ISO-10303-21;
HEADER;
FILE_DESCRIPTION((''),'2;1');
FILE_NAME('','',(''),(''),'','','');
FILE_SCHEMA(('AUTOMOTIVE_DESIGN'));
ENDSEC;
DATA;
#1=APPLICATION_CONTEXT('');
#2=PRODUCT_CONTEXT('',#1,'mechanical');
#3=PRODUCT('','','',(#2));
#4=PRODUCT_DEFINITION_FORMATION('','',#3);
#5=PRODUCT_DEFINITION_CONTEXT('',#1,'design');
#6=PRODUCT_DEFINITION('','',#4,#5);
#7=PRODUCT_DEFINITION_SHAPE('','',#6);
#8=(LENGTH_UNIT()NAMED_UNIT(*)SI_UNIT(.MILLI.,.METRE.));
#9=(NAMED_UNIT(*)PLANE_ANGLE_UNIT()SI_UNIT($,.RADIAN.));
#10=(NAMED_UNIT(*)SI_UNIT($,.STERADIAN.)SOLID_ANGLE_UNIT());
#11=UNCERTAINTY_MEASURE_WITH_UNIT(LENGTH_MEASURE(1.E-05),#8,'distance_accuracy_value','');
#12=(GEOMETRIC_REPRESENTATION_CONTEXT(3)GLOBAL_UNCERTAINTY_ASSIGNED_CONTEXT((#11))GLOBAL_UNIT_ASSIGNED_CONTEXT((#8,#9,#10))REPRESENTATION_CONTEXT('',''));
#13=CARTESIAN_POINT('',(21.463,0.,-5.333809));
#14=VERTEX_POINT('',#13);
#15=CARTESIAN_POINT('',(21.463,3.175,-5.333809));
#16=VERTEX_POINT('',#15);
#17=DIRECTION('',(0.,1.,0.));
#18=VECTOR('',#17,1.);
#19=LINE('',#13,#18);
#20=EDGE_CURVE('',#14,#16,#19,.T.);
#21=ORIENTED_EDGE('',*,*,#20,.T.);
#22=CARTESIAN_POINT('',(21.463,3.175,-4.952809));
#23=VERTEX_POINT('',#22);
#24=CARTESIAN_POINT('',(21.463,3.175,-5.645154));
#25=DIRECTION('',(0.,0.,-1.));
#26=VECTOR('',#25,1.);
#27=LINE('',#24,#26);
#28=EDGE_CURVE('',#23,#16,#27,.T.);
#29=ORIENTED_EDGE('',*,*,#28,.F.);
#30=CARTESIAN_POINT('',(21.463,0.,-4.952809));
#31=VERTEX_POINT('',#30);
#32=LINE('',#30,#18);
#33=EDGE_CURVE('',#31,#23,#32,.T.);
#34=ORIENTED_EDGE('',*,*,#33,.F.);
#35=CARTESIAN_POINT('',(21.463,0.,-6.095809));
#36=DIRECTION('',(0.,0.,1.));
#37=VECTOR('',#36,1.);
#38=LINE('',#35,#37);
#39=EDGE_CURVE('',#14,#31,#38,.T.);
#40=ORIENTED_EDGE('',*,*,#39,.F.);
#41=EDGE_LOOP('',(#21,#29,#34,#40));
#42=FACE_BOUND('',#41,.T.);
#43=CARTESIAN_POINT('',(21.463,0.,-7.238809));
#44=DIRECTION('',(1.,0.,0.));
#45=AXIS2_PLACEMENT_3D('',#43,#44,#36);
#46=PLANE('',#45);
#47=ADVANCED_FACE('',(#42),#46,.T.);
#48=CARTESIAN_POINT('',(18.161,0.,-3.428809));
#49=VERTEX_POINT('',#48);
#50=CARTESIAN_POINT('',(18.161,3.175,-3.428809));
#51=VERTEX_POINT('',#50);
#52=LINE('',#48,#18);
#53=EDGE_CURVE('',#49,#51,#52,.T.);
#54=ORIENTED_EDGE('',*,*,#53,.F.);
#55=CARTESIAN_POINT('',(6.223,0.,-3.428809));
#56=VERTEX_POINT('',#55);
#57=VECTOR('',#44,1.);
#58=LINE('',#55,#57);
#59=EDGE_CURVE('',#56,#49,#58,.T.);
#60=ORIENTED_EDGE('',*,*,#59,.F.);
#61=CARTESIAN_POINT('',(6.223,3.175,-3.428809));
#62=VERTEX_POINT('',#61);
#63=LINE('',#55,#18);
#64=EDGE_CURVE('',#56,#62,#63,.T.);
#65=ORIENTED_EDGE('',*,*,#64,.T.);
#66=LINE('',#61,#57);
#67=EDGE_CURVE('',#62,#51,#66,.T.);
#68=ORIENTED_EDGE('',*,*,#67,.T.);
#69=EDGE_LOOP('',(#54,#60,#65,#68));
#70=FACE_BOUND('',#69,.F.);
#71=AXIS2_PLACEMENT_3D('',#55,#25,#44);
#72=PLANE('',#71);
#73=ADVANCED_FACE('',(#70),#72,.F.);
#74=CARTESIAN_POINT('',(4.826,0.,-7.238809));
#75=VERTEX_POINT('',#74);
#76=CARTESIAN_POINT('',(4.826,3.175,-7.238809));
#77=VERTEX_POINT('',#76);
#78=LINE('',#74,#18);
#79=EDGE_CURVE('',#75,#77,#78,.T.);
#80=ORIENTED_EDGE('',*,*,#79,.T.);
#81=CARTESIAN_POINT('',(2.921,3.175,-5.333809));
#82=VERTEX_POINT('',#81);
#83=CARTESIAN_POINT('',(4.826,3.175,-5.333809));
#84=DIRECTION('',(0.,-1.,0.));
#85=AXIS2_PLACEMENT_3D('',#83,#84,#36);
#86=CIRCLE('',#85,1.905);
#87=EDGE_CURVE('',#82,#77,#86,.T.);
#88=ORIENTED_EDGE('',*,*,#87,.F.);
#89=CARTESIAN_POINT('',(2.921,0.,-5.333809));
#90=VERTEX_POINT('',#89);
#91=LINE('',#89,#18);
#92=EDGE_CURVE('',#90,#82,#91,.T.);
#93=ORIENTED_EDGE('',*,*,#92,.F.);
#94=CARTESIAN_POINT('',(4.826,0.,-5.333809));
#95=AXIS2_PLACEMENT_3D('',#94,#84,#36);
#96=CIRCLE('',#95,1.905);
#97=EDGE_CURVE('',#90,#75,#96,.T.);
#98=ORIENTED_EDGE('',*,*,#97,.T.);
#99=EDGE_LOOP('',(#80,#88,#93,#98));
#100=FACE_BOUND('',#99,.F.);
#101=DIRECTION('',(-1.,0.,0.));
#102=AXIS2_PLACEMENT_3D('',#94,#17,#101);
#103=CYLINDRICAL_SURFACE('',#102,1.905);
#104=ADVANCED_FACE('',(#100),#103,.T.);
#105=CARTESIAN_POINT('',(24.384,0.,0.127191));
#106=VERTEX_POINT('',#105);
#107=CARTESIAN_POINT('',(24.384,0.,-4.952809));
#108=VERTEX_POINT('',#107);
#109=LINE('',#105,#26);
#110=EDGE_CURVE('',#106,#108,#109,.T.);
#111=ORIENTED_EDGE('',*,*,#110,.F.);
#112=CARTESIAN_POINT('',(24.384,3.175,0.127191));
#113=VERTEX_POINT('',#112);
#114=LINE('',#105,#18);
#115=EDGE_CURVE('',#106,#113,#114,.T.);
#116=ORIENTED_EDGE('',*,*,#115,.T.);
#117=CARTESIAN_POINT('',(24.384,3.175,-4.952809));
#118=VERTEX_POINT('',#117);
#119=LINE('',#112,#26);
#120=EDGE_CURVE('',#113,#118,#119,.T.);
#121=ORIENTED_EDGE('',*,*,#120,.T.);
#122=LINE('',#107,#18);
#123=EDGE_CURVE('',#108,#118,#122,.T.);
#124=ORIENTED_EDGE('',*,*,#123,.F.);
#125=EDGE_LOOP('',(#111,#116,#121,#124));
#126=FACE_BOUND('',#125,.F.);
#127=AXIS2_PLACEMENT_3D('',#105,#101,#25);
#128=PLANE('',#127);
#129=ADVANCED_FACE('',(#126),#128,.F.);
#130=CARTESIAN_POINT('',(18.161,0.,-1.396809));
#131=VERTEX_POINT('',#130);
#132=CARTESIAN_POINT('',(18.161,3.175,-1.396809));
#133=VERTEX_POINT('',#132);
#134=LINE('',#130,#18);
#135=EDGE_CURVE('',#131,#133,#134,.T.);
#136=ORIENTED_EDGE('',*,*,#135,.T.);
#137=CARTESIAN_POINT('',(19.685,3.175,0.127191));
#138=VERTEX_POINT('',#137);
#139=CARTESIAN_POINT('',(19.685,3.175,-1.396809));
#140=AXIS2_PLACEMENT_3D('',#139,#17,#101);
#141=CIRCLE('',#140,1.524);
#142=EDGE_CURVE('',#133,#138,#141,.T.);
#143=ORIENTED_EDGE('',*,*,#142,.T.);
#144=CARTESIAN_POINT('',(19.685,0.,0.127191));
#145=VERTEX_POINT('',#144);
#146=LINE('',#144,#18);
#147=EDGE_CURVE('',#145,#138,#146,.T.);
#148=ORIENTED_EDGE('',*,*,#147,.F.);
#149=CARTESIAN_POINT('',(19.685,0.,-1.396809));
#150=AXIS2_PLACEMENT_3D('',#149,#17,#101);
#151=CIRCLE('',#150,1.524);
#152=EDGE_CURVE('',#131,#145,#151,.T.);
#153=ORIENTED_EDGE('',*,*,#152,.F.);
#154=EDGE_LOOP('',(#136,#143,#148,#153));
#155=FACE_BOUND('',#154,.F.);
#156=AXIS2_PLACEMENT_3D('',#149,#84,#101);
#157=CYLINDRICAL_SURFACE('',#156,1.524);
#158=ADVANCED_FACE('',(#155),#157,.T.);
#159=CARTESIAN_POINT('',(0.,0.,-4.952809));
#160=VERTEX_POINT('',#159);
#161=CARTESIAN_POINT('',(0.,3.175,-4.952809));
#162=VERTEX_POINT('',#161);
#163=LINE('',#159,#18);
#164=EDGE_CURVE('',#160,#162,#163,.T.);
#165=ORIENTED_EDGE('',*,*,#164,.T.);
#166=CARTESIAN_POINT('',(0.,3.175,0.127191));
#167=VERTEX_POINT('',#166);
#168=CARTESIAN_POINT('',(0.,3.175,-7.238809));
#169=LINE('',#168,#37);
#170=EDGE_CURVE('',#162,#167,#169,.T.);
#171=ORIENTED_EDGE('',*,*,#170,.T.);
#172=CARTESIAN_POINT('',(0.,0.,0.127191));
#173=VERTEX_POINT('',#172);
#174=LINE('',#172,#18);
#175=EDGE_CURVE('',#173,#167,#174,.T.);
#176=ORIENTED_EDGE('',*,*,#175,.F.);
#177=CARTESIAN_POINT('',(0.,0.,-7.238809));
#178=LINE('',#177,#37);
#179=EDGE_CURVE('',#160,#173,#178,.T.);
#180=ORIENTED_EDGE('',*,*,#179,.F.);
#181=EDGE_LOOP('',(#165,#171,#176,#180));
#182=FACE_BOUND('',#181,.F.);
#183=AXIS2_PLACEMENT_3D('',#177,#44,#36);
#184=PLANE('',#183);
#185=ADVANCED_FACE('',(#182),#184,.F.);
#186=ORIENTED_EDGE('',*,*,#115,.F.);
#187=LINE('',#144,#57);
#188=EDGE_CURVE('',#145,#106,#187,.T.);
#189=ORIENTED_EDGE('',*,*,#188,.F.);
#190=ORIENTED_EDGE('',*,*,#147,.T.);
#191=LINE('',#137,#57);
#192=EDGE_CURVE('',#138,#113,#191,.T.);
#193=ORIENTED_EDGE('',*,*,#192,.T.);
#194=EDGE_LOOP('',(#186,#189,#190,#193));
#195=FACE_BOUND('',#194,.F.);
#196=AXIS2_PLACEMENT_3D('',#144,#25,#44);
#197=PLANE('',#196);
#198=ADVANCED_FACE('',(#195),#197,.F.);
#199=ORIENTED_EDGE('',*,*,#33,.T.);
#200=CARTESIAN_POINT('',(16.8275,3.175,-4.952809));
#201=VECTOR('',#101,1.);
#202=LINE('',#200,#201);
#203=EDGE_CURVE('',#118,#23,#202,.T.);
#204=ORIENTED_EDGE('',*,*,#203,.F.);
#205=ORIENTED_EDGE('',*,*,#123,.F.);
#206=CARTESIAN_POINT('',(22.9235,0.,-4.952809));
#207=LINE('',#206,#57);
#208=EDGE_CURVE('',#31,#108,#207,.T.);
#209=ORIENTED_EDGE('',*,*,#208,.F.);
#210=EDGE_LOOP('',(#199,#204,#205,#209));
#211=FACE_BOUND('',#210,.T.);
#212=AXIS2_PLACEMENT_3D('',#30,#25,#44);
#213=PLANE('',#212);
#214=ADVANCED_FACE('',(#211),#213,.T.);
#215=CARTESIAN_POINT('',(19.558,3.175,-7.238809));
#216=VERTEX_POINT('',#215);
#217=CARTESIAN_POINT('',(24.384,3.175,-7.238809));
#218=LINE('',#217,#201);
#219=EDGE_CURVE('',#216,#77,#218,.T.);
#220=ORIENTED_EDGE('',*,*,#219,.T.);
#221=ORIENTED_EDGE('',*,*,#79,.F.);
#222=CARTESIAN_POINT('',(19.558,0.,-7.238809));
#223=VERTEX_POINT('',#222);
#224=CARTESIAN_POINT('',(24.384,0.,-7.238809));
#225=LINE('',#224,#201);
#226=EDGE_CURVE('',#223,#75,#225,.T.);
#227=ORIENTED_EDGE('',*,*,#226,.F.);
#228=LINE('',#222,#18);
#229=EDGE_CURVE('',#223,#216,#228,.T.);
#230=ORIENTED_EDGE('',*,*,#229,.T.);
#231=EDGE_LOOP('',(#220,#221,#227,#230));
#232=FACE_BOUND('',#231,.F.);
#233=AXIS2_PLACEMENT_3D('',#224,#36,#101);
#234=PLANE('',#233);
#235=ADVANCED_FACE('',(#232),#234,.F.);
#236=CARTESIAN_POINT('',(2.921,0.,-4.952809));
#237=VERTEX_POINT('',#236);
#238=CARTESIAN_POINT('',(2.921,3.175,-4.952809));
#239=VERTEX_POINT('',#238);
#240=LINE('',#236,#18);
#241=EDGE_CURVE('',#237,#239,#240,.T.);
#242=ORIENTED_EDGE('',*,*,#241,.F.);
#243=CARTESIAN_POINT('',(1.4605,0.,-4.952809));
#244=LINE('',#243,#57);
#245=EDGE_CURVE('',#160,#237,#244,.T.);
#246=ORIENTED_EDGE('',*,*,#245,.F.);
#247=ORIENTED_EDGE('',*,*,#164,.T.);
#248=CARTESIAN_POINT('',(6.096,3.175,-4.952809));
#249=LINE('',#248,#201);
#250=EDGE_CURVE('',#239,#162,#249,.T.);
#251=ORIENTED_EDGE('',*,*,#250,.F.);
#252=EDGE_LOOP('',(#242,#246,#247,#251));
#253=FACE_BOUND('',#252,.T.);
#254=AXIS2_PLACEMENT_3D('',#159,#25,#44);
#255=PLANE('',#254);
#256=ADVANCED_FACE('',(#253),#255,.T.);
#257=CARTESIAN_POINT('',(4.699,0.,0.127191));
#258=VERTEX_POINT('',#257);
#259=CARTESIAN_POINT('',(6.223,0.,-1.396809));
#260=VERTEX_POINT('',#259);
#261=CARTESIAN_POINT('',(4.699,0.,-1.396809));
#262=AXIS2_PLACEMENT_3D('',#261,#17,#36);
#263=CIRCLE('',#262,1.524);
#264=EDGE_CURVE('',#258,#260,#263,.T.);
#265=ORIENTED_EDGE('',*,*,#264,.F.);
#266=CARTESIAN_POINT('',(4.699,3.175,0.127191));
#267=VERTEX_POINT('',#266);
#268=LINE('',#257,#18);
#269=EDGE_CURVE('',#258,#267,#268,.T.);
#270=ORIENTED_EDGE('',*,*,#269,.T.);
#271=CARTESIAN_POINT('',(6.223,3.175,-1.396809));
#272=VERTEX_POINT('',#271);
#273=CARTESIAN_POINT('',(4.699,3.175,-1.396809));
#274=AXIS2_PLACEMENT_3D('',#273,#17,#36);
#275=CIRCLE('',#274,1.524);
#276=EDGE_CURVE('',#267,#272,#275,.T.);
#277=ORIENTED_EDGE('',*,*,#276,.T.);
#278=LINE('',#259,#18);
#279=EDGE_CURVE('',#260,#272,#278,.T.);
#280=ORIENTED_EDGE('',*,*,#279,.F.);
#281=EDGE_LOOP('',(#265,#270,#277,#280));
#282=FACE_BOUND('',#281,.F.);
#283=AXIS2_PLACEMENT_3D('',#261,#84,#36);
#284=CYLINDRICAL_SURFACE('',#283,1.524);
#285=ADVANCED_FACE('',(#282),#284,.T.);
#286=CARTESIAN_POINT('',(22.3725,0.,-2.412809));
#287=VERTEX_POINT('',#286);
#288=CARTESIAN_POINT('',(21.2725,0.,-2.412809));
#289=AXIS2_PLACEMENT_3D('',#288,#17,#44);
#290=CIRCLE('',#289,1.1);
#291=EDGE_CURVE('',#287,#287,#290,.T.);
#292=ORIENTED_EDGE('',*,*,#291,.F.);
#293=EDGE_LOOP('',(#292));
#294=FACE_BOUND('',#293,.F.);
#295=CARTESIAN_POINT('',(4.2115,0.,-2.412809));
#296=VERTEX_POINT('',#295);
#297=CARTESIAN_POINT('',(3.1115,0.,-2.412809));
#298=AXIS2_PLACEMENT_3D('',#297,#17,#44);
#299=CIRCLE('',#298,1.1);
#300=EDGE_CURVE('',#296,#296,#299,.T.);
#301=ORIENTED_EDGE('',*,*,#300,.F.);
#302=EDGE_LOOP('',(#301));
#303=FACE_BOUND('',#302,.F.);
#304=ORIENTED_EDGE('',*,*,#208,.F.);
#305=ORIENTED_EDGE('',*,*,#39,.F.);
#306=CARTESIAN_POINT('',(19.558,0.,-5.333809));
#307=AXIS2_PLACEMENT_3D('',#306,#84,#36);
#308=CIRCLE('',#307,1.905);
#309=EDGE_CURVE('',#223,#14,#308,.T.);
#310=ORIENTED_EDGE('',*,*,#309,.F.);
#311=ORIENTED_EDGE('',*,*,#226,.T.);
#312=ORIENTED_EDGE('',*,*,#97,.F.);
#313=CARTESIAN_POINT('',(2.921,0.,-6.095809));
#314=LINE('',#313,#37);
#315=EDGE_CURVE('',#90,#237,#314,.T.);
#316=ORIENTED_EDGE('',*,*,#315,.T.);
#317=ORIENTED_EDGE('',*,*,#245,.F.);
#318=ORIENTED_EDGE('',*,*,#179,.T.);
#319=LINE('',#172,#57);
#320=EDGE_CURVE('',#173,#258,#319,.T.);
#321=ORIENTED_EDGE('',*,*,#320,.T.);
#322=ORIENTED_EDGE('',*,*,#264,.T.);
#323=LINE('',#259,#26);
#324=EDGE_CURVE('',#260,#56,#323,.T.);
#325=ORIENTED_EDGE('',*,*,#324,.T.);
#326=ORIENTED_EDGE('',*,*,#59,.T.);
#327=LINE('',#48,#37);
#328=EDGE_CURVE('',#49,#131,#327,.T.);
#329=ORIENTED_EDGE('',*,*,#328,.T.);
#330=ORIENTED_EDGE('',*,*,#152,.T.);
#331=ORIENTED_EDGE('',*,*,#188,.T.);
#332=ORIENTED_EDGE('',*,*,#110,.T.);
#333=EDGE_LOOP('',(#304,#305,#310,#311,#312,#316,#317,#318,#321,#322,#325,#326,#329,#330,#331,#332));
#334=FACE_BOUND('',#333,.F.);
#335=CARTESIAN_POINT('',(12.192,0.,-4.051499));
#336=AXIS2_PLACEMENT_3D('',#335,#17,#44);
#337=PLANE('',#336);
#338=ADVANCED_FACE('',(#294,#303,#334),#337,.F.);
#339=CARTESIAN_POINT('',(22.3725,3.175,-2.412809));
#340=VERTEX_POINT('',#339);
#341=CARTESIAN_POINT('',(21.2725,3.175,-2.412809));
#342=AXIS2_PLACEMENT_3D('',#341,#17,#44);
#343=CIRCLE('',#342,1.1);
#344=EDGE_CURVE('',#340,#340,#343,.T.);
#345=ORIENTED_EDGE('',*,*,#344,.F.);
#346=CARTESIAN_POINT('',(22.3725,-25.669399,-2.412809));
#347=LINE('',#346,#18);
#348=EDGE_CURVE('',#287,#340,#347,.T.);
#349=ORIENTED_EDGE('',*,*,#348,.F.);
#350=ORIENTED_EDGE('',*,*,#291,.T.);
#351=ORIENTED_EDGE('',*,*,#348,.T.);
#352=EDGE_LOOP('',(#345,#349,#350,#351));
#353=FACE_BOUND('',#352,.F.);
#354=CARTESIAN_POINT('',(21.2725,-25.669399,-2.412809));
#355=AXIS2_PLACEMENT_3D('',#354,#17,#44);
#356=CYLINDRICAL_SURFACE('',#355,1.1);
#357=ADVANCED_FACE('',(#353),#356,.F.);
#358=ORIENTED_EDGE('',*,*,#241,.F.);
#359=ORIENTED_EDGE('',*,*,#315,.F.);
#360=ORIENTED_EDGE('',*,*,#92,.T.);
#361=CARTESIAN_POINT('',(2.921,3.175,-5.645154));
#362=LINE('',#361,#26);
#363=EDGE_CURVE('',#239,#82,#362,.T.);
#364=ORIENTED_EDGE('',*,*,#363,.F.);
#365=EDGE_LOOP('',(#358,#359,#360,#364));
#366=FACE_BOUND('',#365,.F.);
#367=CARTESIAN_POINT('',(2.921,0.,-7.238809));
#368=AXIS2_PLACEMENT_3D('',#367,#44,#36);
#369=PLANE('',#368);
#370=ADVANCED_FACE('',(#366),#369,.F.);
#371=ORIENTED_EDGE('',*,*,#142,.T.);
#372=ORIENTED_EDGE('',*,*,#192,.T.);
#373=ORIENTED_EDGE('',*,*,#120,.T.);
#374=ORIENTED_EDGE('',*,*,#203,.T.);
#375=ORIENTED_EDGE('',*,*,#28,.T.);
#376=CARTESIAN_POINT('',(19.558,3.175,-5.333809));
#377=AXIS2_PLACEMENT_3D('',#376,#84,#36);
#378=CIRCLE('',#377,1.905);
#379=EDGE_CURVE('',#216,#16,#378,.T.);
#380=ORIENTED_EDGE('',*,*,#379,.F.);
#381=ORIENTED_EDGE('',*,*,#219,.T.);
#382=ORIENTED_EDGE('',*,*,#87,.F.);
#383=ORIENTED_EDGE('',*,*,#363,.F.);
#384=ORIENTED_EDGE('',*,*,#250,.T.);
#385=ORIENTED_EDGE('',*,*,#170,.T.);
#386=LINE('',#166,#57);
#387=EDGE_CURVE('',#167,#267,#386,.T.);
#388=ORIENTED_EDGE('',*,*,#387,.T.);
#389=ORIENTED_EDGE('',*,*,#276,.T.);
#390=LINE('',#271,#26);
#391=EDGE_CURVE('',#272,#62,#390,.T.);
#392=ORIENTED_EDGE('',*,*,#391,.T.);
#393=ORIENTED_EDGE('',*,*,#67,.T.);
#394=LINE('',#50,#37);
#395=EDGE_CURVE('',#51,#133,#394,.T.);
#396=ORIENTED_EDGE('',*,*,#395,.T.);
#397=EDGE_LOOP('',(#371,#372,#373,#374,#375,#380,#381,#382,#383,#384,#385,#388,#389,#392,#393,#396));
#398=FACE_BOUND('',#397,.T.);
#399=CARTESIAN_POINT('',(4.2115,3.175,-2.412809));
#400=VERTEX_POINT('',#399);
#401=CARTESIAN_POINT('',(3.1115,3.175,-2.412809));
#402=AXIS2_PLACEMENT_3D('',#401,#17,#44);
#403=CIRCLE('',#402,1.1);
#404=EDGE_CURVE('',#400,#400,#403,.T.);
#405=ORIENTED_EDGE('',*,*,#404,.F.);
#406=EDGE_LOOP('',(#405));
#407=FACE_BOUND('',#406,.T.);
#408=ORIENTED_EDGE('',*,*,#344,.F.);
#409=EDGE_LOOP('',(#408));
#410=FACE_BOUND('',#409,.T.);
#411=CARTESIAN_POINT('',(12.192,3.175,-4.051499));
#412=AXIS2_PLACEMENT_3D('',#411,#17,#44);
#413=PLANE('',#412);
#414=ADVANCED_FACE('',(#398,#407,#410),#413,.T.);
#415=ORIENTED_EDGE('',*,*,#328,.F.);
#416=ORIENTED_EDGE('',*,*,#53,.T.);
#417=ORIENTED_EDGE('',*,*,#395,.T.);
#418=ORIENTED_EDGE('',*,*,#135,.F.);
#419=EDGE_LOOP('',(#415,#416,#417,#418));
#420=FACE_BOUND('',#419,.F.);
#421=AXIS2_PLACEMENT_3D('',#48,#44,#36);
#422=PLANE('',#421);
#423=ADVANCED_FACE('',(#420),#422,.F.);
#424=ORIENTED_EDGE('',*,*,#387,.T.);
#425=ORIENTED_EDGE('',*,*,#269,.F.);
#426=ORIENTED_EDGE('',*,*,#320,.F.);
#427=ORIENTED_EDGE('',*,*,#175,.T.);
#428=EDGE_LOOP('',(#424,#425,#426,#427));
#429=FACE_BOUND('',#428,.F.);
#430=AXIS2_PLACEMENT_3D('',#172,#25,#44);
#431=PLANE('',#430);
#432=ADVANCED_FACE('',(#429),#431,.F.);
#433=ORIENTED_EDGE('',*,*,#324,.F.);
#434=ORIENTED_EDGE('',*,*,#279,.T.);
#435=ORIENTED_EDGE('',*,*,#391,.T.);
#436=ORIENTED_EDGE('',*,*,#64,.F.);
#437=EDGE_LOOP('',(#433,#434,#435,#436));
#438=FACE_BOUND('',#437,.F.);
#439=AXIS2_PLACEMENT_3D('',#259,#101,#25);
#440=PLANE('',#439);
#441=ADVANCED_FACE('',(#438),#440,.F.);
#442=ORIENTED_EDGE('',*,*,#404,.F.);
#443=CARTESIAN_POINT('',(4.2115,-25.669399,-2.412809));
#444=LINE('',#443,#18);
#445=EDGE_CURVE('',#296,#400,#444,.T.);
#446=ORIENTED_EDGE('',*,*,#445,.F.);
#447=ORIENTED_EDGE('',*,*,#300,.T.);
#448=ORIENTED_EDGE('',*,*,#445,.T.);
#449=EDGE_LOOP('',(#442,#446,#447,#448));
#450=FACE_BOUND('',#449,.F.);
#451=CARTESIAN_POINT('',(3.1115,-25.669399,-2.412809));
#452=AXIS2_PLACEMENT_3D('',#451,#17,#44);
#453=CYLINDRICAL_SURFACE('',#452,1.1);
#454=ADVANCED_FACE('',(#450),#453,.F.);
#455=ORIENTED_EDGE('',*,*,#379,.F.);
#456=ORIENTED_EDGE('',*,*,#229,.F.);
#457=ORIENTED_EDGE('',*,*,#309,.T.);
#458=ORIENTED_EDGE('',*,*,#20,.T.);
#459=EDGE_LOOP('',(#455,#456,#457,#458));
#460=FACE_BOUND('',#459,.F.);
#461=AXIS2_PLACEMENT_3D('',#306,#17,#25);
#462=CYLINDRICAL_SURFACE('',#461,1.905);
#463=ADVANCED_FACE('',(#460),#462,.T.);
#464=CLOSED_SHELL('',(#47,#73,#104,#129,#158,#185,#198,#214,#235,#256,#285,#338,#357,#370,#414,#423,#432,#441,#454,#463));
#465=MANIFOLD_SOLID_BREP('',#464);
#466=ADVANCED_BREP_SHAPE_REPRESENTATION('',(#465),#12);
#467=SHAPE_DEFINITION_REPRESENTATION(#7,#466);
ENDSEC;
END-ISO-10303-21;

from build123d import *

# Parameters (mm, degrees)
BOSS_EXTRUDE1_DEPTH  = 3.175
M2_CLEARANCE_HOLE1_D = 2.2
SKETCH4_W            = 2.921
SKETCH4_H            = 2.286
CUT_EXTRUDE1_DEPTH   = 4.175
FILLET1_R            = 1.905


with BuildPart() as part:
    # Sketch1 → Boss-Extrude1 (new body)
    with BuildSketch(Plane(origin=(0, 0, 0), x_dir=(1, 0, 0), z_dir=(0, 1, 0))):
        with BuildLine():
            Line((0, -0.127190553), (4.699, -0.127190553))
            ThreePointArc((4.699, -0.127190553), (5.776630735, 0.319178713), (6.223, 1.396809447))
            Line((6.223, 1.396809447), (6.223, 3.428809447))
            Line((6.223, 3.428809447), (18.161, 3.428809447))
            Line((18.161, 3.428809447), (18.161, 1.396809447))
            ThreePointArc((18.161, 1.396809447), (18.607369265, 0.319178713), (19.685, -0.127190553))
            Line((19.685, -0.127190553), (24.384, -0.127190553))
            Line((24.384, -0.127190553), (24.384, 7.238809447))
            Line((24.384, 7.238809447), (0, 7.238809447))
            Line((0, 7.238809447), (0, -0.127190553))
        make_face()
    extrude(amount=BOSS_EXTRUDE1_DEPTH)

    # M2 Clearance Hole1 (through all)
    with Locations(Plane(origin=(0, 0, 0), x_dir=(-1, 0, 0), z_dir=(0, -1, 0))):
        with Locations((-3.1115, 2.412809447), (-21.2725, 2.412809447)):
            Hole(M2_CLEARANCE_HOLE1_D / 2)

    # Sketch4 → Cut-Extrude1 (cut, through all)
    with BuildSketch(Plane.XZ):
        with Locations((22.9235, -6.095809447)):
            Rectangle(SKETCH4_W, SKETCH4_H)
        with Locations((1.4605, -6.095809447)):
            Rectangle(SKETCH4_W, SKETCH4_H)
    extrude(amount=-CUT_EXTRUDE1_DEPTH, mode=Mode.SUBTRACT)

    # Fillet1
    fillet1_edges = [part.edges().sort_by_distance(p)[0] for p in [
        (21.463, 1.5875, -7.238809447),
        (2.921, 1.5875, -7.238809447),
    ]]
    fillet(fillet1_edges, radius=FILLET1_R)


solid = part.part
